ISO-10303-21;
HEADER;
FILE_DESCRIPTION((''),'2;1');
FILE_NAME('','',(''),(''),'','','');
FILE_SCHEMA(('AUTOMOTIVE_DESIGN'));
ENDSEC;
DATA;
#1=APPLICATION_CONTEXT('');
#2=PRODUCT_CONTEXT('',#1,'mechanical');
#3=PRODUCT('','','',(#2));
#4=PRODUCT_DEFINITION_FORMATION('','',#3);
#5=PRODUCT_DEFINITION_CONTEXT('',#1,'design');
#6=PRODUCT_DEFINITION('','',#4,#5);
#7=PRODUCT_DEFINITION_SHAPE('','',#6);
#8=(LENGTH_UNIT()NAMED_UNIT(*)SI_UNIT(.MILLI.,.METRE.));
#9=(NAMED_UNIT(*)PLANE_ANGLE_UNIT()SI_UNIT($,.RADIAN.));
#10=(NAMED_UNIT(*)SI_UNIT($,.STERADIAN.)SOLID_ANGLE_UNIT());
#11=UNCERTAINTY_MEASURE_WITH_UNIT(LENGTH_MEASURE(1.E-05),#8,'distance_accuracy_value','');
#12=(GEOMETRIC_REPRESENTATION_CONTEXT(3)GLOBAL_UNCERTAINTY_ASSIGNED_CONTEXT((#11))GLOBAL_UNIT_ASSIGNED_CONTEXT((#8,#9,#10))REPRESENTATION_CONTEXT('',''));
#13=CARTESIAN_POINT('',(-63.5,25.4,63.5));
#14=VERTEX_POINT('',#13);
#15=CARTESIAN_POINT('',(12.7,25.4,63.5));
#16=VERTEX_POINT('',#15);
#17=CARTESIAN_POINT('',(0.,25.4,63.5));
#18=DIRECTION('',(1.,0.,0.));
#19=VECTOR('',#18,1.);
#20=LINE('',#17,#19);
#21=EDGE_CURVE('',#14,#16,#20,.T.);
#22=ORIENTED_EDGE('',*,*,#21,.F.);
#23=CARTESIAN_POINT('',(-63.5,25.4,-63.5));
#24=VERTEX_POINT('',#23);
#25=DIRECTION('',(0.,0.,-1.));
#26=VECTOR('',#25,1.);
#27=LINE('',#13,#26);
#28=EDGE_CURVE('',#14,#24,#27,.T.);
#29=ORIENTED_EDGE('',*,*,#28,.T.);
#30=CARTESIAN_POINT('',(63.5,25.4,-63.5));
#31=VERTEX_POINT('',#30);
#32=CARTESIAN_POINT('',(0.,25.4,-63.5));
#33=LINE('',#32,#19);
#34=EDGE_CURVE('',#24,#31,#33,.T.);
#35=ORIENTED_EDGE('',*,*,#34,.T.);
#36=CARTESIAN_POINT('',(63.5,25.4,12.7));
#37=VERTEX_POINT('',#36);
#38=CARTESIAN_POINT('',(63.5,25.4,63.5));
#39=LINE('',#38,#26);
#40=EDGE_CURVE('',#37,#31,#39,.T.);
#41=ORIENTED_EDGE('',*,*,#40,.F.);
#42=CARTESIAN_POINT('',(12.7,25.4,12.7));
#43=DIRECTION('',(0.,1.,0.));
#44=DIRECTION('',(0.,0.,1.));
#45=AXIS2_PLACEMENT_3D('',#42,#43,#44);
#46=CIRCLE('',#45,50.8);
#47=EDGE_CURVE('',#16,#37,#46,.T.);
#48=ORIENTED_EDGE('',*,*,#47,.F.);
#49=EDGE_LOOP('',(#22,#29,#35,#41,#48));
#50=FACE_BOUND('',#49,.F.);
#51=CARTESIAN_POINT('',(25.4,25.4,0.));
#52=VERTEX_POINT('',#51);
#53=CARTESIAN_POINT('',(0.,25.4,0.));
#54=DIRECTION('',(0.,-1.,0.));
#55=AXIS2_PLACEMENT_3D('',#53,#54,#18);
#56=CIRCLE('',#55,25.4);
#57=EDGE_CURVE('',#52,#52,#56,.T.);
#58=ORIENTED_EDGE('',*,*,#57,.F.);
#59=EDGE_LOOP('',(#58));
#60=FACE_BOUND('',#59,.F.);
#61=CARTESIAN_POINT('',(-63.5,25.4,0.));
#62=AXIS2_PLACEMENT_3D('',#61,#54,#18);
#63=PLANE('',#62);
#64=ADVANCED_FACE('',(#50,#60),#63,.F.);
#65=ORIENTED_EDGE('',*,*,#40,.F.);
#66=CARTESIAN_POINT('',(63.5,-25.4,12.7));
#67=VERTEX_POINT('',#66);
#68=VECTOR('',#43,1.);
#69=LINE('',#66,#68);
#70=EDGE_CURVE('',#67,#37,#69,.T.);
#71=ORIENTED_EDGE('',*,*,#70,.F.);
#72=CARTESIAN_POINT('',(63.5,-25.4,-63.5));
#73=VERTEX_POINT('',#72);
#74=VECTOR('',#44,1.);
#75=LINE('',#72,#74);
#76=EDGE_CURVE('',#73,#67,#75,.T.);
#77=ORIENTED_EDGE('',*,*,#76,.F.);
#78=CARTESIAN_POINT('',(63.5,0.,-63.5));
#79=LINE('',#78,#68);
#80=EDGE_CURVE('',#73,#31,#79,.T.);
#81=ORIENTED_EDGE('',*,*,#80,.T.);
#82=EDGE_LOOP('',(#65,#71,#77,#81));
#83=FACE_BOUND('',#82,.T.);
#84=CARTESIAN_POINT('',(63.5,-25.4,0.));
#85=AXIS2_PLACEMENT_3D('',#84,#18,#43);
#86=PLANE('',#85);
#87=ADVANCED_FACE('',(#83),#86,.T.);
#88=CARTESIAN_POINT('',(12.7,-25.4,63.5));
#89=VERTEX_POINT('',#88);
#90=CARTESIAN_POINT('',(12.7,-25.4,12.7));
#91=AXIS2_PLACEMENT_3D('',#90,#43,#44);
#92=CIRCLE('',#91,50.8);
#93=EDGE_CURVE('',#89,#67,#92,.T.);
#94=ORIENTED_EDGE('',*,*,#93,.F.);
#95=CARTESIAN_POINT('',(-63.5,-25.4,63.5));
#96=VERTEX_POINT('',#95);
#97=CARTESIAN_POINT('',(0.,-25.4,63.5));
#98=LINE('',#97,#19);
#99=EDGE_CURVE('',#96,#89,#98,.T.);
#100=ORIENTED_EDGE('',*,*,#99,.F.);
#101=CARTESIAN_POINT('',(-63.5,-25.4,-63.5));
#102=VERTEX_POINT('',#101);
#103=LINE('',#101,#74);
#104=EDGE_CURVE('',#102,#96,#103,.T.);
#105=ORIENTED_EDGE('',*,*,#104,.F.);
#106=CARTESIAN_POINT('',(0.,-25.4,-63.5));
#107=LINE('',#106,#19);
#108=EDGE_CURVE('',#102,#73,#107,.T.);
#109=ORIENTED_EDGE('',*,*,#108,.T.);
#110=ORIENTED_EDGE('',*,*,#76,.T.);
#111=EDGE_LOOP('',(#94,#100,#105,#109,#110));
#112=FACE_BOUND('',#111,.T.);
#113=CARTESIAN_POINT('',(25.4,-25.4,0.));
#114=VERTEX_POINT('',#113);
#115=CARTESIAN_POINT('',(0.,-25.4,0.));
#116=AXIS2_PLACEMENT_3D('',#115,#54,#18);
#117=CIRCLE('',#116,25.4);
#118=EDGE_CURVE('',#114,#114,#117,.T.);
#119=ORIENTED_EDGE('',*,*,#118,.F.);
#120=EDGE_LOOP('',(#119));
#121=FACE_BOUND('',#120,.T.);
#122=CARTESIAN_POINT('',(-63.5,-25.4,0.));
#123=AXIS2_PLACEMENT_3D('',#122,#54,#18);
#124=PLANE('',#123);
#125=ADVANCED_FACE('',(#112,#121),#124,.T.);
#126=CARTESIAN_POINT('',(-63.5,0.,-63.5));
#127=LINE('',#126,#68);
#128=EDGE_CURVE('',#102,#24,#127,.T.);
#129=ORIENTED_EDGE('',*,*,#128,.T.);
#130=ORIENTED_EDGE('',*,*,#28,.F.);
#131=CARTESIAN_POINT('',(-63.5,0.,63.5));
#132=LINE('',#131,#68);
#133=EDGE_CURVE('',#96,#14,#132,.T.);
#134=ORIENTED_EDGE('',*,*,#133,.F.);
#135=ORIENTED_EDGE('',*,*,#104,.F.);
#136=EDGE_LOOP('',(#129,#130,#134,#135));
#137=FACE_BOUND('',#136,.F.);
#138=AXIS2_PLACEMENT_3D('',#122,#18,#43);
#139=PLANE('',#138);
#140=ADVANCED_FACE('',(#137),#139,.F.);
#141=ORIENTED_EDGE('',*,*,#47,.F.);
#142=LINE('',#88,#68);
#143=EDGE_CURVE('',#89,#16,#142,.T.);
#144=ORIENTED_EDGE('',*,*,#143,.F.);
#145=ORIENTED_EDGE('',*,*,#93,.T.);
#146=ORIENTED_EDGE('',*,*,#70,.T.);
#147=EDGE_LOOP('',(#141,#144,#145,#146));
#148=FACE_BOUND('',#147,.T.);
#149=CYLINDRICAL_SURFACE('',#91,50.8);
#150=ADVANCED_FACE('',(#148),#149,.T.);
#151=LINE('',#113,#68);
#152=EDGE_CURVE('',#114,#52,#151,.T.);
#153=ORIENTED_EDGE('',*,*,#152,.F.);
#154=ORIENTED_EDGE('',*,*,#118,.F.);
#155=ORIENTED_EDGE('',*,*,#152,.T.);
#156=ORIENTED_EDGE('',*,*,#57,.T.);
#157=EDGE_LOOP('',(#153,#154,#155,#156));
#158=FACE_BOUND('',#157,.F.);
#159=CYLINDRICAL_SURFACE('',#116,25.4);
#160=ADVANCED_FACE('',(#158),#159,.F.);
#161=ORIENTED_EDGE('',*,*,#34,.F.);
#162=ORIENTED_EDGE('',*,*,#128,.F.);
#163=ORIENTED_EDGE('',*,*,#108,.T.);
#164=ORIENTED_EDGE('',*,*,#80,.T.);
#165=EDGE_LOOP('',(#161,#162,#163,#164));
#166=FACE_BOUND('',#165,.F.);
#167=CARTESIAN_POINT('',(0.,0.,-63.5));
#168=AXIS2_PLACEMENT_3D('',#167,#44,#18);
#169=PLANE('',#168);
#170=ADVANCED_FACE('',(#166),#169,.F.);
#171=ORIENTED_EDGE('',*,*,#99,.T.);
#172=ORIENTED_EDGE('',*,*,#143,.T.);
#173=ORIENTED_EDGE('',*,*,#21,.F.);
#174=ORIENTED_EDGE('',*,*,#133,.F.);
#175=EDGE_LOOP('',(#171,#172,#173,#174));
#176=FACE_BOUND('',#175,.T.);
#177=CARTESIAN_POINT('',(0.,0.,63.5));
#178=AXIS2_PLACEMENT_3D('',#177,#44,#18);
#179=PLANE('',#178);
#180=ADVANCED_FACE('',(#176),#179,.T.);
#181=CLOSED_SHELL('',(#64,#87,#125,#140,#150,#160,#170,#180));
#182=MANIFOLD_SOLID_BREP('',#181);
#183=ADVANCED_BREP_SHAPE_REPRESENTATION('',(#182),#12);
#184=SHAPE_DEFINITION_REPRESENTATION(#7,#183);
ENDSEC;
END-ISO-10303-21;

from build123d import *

# Parameters (mm, degrees)
F0_W     = 127
F0_H     = 50.8
F1_DEPTH = 63.5
F2_R     = 50.8
F3_R     = 25.4
F4_DEPTH = 50.801


with BuildPart() as f1:
    # F0 (on Top) → F1 (new body, symmetric)
    with BuildSketch(Plane.XY):
        Rectangle(F0_W, F0_H)
    extrude(amount=F1_DEPTH, both=True)

    # F2
    f2_edges = [f1.edges().sort_by_distance(p)[0] for p in [
        (63.5, 0, 63.5),
    ]]
    fillet(f2_edges, radius=F2_R)

    # F3 (on face) → F4 (cut, through all)
    with BuildSketch(Plane.XZ.offset(25.4)):
        Circle(F3_R)
    extrude(amount=-F4_DEPTH, mode=Mode.SUBTRACT)


solid = f1.part
